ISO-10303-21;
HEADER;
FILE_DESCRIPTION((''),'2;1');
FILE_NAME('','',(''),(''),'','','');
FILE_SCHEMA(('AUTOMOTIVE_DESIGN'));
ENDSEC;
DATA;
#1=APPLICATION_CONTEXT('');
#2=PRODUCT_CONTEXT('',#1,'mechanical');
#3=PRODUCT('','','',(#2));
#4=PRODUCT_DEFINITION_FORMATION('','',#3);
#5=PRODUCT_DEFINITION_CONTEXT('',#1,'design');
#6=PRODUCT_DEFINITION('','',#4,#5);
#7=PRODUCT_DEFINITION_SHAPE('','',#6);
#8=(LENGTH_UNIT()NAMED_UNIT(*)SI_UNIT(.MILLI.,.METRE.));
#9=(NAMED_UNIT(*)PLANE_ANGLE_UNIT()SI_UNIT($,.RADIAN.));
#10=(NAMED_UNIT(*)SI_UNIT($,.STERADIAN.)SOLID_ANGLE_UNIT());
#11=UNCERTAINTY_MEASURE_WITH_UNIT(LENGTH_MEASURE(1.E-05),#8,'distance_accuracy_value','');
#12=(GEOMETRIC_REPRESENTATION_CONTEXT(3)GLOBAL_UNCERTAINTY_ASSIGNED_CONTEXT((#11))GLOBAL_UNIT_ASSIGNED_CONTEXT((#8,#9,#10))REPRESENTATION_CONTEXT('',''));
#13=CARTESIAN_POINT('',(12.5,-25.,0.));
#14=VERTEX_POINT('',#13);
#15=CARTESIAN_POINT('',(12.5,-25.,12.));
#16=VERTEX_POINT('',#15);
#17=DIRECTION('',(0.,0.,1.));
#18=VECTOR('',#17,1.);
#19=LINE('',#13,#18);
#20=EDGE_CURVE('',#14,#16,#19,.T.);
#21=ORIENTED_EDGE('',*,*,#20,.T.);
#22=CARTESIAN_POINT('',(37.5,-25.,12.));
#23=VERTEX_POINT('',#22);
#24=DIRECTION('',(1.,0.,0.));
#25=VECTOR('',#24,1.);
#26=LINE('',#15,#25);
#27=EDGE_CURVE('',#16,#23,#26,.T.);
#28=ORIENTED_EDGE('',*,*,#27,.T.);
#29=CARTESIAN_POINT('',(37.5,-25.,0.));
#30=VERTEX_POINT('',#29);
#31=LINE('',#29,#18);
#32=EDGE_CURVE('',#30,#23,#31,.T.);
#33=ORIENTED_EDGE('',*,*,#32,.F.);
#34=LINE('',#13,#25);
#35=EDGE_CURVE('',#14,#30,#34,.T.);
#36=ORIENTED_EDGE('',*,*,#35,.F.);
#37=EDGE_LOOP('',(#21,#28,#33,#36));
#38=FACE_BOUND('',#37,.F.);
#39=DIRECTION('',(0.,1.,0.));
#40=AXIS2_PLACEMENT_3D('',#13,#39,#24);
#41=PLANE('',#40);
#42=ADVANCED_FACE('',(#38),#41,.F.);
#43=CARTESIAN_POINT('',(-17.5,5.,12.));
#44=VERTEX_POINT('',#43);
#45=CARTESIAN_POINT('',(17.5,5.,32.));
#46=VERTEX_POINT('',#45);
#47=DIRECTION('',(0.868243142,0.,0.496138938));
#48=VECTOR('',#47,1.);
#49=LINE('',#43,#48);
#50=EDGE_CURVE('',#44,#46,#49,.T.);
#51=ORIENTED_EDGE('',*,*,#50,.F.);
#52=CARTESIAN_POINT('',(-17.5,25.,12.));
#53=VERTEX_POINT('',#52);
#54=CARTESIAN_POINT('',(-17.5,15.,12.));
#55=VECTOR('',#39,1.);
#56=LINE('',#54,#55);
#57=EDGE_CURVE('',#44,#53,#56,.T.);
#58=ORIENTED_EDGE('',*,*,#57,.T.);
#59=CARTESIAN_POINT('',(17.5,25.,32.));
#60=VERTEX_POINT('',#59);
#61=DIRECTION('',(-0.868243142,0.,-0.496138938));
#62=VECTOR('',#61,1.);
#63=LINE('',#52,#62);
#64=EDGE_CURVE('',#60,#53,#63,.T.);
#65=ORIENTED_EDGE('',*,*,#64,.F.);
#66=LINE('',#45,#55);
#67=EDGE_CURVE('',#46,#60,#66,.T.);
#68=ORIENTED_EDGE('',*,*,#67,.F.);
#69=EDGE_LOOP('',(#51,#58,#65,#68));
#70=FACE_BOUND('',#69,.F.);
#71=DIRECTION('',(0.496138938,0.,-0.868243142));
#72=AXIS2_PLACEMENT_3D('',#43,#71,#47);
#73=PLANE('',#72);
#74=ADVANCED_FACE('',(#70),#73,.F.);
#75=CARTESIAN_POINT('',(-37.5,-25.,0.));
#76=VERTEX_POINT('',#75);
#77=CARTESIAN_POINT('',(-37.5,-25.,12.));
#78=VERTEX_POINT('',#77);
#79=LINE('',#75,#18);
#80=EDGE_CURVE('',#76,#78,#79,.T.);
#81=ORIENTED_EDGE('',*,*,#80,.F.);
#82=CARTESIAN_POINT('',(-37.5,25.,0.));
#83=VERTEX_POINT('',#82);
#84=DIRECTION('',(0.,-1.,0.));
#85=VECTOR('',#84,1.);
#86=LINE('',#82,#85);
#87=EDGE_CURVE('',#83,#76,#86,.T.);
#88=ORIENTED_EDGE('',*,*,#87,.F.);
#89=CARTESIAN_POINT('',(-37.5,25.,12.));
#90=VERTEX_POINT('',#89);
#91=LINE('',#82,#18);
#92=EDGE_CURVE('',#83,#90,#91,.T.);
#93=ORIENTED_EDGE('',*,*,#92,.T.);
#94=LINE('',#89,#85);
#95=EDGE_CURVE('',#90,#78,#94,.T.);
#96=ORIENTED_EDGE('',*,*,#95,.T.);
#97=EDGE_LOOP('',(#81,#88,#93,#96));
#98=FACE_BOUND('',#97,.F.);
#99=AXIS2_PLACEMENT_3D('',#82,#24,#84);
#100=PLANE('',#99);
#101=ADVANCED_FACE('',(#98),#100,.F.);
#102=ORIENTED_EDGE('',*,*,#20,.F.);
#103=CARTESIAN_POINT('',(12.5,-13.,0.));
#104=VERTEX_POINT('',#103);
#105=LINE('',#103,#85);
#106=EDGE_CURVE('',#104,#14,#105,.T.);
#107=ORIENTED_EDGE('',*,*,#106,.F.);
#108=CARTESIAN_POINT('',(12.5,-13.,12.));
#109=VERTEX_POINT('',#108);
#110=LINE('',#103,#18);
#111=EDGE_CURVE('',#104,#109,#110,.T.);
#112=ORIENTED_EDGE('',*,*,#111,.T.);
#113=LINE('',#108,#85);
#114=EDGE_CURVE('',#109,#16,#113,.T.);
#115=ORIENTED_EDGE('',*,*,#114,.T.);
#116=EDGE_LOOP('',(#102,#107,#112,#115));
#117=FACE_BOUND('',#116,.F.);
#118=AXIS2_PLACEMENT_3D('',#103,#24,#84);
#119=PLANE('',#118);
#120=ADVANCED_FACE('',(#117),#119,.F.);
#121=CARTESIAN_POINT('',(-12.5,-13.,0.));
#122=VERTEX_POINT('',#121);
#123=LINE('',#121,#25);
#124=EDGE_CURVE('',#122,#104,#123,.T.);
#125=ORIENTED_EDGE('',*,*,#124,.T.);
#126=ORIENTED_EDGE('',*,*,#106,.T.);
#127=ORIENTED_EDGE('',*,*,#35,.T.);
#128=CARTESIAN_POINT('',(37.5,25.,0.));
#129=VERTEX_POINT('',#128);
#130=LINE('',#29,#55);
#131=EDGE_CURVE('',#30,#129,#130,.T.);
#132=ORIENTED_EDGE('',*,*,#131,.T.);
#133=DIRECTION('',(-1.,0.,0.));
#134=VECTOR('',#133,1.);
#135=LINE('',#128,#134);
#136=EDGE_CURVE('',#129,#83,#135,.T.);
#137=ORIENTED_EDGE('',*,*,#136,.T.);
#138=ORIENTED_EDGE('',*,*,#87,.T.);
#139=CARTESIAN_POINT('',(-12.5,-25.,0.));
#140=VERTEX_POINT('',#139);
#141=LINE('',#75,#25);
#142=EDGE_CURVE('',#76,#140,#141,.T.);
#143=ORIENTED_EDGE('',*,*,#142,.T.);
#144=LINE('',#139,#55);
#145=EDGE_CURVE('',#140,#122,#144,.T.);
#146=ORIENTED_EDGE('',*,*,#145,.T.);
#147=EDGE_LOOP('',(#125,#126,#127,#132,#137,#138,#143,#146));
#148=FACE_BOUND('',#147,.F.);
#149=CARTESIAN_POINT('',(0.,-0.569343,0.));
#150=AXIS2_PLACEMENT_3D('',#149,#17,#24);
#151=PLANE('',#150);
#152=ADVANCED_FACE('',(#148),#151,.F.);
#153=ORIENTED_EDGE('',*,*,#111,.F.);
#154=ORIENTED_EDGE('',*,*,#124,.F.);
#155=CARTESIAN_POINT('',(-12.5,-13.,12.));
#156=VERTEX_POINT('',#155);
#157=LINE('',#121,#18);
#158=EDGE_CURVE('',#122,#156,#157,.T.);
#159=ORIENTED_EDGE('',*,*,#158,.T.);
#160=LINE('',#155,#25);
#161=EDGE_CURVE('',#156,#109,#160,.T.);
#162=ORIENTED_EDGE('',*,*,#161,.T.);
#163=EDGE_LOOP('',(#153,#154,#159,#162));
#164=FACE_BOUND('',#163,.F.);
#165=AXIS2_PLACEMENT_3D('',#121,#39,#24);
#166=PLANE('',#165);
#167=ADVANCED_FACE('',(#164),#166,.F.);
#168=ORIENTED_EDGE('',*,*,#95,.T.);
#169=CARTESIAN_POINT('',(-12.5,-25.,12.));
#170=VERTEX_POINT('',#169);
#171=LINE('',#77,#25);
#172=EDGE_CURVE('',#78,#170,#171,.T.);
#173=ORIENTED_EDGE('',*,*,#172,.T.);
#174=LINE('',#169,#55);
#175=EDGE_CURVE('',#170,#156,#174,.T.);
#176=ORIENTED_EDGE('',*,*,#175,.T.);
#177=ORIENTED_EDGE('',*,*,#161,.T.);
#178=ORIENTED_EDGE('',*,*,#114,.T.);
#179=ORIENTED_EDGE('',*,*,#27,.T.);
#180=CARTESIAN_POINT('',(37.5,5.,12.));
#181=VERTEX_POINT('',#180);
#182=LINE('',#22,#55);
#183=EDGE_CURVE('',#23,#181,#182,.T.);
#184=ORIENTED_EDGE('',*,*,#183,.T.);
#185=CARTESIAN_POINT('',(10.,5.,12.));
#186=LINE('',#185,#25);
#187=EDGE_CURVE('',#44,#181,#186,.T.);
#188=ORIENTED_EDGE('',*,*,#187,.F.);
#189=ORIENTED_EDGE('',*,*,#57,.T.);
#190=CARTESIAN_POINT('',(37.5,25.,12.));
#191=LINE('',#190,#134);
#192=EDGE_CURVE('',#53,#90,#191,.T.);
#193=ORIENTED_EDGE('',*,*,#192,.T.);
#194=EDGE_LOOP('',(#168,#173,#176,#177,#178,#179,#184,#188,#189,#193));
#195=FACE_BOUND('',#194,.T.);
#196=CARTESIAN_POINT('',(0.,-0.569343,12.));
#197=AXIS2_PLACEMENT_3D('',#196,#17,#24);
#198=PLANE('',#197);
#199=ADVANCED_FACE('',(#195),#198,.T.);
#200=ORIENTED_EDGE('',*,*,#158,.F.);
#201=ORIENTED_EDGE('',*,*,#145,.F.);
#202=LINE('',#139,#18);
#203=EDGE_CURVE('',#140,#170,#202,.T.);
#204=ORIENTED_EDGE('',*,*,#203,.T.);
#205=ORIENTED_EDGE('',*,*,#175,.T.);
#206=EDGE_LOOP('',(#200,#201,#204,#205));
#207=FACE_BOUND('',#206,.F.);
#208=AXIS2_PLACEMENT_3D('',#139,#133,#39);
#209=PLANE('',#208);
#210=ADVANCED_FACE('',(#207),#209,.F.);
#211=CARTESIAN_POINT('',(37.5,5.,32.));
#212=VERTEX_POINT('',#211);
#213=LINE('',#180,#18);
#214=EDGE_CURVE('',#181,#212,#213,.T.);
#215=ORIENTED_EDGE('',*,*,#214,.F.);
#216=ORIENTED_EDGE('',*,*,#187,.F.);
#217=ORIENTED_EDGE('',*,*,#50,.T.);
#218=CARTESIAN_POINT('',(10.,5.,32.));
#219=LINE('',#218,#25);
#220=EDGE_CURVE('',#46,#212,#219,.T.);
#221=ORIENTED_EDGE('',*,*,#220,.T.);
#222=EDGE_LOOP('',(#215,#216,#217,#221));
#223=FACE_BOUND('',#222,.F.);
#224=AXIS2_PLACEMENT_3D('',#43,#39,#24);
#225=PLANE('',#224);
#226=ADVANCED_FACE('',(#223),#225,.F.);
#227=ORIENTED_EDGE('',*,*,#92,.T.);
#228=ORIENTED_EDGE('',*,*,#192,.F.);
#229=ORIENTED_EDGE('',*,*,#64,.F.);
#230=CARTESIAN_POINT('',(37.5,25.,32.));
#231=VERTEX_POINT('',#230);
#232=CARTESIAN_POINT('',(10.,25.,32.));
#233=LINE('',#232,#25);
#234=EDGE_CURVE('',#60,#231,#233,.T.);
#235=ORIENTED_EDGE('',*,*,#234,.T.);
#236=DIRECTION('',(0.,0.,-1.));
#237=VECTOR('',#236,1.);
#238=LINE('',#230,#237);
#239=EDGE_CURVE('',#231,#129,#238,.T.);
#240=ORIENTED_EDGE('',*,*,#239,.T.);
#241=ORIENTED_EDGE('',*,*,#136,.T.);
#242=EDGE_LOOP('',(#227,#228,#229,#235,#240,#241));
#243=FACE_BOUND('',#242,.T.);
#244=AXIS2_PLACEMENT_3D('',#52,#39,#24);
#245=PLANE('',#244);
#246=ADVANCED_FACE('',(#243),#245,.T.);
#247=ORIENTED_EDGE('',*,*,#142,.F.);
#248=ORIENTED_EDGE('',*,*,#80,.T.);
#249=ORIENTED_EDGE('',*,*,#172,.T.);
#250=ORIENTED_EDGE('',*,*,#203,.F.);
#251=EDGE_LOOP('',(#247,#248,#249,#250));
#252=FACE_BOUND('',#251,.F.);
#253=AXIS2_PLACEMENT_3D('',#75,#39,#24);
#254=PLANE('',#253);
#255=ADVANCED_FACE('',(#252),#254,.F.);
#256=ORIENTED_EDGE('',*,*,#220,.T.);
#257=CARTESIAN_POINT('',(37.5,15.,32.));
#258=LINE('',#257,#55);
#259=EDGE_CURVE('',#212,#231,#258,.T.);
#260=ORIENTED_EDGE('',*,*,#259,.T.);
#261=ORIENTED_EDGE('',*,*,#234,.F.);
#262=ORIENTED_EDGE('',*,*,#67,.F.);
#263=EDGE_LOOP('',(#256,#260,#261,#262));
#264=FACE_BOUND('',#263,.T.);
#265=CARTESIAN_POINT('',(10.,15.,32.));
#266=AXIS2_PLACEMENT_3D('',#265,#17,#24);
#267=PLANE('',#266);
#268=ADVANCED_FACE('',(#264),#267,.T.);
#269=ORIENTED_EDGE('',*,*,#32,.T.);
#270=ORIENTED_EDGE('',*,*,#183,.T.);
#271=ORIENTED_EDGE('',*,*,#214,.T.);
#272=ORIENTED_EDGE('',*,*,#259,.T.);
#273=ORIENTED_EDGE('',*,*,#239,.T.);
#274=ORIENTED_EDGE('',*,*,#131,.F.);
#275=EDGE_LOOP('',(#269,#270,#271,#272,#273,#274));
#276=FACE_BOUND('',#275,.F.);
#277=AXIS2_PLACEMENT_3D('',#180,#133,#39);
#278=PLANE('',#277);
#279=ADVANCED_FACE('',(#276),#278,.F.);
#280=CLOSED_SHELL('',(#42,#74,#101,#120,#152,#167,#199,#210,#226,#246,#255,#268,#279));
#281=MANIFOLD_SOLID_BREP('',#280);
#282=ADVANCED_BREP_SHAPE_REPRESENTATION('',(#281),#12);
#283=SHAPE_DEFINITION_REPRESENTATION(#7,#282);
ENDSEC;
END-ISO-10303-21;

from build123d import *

# Parameters (mm, degrees)
F1_DEPTH = 12
F2_W     = 55
F2_H     = 20
F3_DEPTH = 20
F5_DEPTH = 25


with BuildPart() as f1:
    # F0 (on Top) → F1 (new body)
    with BuildSketch(Plane.XY):
        Polygon((37.5, 25), (-37.5, 25), (-37.5, -25), (-12.5, -25), (-12.5, -13), (12.5, -13), (12.5, -25), (37.5, -25), align=None)
    extrude(amount=F1_DEPTH)

    # F2 (on face) → F3 (join)
    with BuildSketch(Plane.XY.offset(12)):
        with Locations((10, 15)):
            Rectangle(F2_W, F2_H)
    extrude(amount=F3_DEPTH)

    # F4 (on face) → F5 (cut)
    with BuildSketch(Plane.XZ.offset(-5)):
        Polygon((-17.5, 12), (17.5, 32), (-17.5, 32), align=None)
    extrude(amount=-F5_DEPTH, mode=Mode.SUBTRACT)


solid = f1.part
